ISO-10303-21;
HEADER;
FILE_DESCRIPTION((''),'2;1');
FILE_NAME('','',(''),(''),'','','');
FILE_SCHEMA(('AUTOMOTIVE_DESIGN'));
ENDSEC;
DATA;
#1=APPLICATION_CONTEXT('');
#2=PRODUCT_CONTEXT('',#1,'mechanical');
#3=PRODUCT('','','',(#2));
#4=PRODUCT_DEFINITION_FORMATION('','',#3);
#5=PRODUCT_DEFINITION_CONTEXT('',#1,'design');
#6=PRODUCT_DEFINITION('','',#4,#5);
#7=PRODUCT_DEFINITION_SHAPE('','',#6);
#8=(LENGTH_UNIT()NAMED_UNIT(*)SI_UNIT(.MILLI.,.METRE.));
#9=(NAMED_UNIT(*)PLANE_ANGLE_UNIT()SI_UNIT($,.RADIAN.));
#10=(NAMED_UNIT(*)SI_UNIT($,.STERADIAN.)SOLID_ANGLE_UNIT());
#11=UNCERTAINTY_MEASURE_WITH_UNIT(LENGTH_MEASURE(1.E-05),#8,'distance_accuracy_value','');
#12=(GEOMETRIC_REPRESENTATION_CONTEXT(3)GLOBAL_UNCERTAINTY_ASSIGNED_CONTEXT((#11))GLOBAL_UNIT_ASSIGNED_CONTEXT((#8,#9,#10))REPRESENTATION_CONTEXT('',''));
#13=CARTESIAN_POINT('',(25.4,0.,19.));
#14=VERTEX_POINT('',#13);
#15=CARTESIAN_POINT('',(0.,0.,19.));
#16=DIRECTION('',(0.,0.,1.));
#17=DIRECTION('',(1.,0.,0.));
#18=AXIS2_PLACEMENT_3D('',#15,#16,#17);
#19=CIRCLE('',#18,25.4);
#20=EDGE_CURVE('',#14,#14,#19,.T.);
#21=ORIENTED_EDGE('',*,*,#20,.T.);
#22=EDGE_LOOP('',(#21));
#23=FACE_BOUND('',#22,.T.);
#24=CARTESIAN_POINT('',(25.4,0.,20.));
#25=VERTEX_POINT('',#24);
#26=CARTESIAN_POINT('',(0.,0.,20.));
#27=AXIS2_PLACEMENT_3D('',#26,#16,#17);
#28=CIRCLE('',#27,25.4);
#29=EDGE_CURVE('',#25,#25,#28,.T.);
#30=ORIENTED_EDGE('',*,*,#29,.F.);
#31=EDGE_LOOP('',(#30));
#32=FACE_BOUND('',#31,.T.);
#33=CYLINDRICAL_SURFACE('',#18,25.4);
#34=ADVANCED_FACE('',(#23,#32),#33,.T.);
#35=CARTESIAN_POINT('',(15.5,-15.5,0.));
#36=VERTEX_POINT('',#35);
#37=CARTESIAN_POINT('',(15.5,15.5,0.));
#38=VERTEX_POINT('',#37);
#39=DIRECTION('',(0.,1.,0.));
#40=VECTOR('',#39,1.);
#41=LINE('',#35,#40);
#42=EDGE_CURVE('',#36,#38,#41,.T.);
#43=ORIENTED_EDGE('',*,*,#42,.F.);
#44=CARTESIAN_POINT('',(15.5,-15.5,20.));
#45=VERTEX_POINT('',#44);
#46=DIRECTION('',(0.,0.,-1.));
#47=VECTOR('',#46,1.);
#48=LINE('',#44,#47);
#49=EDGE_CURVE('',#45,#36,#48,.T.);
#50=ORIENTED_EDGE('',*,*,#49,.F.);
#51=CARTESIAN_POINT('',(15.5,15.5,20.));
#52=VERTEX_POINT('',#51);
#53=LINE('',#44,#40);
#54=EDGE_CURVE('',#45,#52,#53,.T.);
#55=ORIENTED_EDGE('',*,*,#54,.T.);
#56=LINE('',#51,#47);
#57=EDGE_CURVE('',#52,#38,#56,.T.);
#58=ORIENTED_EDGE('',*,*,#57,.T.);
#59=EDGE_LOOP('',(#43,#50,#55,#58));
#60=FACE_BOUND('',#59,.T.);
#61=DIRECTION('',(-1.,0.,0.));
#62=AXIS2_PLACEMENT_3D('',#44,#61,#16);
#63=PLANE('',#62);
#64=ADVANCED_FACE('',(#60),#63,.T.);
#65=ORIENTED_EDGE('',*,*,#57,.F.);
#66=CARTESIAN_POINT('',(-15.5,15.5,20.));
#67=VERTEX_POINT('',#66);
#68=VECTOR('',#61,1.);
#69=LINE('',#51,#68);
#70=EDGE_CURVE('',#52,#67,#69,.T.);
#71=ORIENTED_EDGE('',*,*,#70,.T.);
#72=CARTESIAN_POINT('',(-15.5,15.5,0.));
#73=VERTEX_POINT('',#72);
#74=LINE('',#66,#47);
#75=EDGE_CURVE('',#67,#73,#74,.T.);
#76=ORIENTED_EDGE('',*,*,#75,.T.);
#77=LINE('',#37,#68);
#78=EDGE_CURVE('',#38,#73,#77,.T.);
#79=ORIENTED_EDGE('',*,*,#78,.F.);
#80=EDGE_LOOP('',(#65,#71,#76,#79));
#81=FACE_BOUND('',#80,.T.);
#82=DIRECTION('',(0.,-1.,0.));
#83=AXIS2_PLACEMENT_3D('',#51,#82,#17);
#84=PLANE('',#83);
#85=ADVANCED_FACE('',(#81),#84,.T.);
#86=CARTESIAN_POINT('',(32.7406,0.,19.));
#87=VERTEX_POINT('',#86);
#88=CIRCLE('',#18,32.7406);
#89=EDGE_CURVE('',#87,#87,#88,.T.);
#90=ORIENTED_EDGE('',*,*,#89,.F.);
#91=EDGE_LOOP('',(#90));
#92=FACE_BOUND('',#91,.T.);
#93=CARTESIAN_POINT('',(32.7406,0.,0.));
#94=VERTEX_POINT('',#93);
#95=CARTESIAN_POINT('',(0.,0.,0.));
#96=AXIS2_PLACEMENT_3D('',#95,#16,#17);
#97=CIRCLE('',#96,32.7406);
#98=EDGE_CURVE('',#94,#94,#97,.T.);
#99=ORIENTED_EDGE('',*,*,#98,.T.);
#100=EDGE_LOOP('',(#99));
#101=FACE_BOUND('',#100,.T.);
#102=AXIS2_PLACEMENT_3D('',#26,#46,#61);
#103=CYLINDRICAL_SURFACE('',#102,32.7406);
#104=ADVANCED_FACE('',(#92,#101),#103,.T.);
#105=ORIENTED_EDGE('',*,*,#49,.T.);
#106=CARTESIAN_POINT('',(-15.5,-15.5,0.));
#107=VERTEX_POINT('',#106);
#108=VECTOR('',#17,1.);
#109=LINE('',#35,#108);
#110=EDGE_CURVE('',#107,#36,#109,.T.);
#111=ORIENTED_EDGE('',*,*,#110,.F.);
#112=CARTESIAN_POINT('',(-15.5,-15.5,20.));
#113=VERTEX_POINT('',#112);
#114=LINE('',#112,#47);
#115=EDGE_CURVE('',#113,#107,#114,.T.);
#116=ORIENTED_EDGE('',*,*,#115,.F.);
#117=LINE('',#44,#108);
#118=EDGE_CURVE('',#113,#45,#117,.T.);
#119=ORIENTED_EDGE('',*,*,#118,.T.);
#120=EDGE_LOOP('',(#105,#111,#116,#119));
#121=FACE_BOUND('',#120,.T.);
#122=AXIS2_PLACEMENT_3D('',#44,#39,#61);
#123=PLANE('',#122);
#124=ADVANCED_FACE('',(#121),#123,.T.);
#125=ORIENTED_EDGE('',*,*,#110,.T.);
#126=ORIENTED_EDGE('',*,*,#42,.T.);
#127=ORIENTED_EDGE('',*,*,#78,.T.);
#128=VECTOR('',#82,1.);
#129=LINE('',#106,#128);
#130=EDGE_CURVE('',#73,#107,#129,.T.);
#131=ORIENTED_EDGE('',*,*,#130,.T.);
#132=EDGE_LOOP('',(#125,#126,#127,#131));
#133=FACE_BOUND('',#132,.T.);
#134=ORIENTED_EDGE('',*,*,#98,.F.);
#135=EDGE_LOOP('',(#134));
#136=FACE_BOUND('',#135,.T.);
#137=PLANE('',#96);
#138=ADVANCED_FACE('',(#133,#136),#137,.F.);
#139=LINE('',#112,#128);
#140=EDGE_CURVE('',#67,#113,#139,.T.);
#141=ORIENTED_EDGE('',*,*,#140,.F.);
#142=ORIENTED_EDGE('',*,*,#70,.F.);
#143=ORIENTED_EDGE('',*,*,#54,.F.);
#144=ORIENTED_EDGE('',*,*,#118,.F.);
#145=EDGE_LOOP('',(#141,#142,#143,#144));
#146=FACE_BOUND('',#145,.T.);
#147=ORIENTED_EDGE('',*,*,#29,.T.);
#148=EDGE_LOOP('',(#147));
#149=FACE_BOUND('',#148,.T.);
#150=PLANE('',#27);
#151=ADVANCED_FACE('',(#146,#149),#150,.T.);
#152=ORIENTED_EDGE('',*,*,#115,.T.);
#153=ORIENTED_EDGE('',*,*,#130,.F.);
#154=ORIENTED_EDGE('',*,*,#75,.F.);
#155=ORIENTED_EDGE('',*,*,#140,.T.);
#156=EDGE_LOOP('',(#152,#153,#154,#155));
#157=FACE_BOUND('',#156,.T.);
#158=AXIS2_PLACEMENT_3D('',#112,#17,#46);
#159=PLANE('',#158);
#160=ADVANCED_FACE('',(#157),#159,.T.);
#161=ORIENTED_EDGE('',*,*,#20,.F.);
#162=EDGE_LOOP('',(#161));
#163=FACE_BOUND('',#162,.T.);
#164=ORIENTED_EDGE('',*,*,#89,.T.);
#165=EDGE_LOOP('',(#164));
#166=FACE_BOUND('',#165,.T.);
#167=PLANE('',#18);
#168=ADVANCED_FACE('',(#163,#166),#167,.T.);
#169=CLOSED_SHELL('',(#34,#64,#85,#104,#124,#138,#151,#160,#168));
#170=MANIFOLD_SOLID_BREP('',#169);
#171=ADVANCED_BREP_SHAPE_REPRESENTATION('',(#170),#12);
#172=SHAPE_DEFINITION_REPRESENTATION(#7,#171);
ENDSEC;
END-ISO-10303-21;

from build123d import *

# Parameters (mm, degrees)
SKETCH1_R           = 32.7406
SKETCH1_W           = 31
SKETCH1_H           = 31
BOSS_EXTRUDE1_DEPTH = 20
SKETCH2_R           = 32.7406
SKETCH2_R_2         = 25.4
CUT_EXTRUDE1_DEPTH  = 1


with BuildPart() as part:
    # Sketch1 → Boss-Extrude1 (new body)
    with BuildSketch(Plane.XY):
        Circle(SKETCH1_R)
        Rectangle(SKETCH1_W, SKETCH1_H, mode=Mode.SUBTRACT)
    extrude(amount=BOSS_EXTRUDE1_DEPTH)

    # Sketch2 → Cut-Extrude1 (cut)
    with BuildSketch(Plane.XY.offset(20)):
        Circle(SKETCH2_R)
        Circle(SKETCH2_R_2, mode=Mode.SUBTRACT)
    extrude(amount=-CUT_EXTRUDE1_DEPTH, mode=Mode.SUBTRACT)


solid = part.part
